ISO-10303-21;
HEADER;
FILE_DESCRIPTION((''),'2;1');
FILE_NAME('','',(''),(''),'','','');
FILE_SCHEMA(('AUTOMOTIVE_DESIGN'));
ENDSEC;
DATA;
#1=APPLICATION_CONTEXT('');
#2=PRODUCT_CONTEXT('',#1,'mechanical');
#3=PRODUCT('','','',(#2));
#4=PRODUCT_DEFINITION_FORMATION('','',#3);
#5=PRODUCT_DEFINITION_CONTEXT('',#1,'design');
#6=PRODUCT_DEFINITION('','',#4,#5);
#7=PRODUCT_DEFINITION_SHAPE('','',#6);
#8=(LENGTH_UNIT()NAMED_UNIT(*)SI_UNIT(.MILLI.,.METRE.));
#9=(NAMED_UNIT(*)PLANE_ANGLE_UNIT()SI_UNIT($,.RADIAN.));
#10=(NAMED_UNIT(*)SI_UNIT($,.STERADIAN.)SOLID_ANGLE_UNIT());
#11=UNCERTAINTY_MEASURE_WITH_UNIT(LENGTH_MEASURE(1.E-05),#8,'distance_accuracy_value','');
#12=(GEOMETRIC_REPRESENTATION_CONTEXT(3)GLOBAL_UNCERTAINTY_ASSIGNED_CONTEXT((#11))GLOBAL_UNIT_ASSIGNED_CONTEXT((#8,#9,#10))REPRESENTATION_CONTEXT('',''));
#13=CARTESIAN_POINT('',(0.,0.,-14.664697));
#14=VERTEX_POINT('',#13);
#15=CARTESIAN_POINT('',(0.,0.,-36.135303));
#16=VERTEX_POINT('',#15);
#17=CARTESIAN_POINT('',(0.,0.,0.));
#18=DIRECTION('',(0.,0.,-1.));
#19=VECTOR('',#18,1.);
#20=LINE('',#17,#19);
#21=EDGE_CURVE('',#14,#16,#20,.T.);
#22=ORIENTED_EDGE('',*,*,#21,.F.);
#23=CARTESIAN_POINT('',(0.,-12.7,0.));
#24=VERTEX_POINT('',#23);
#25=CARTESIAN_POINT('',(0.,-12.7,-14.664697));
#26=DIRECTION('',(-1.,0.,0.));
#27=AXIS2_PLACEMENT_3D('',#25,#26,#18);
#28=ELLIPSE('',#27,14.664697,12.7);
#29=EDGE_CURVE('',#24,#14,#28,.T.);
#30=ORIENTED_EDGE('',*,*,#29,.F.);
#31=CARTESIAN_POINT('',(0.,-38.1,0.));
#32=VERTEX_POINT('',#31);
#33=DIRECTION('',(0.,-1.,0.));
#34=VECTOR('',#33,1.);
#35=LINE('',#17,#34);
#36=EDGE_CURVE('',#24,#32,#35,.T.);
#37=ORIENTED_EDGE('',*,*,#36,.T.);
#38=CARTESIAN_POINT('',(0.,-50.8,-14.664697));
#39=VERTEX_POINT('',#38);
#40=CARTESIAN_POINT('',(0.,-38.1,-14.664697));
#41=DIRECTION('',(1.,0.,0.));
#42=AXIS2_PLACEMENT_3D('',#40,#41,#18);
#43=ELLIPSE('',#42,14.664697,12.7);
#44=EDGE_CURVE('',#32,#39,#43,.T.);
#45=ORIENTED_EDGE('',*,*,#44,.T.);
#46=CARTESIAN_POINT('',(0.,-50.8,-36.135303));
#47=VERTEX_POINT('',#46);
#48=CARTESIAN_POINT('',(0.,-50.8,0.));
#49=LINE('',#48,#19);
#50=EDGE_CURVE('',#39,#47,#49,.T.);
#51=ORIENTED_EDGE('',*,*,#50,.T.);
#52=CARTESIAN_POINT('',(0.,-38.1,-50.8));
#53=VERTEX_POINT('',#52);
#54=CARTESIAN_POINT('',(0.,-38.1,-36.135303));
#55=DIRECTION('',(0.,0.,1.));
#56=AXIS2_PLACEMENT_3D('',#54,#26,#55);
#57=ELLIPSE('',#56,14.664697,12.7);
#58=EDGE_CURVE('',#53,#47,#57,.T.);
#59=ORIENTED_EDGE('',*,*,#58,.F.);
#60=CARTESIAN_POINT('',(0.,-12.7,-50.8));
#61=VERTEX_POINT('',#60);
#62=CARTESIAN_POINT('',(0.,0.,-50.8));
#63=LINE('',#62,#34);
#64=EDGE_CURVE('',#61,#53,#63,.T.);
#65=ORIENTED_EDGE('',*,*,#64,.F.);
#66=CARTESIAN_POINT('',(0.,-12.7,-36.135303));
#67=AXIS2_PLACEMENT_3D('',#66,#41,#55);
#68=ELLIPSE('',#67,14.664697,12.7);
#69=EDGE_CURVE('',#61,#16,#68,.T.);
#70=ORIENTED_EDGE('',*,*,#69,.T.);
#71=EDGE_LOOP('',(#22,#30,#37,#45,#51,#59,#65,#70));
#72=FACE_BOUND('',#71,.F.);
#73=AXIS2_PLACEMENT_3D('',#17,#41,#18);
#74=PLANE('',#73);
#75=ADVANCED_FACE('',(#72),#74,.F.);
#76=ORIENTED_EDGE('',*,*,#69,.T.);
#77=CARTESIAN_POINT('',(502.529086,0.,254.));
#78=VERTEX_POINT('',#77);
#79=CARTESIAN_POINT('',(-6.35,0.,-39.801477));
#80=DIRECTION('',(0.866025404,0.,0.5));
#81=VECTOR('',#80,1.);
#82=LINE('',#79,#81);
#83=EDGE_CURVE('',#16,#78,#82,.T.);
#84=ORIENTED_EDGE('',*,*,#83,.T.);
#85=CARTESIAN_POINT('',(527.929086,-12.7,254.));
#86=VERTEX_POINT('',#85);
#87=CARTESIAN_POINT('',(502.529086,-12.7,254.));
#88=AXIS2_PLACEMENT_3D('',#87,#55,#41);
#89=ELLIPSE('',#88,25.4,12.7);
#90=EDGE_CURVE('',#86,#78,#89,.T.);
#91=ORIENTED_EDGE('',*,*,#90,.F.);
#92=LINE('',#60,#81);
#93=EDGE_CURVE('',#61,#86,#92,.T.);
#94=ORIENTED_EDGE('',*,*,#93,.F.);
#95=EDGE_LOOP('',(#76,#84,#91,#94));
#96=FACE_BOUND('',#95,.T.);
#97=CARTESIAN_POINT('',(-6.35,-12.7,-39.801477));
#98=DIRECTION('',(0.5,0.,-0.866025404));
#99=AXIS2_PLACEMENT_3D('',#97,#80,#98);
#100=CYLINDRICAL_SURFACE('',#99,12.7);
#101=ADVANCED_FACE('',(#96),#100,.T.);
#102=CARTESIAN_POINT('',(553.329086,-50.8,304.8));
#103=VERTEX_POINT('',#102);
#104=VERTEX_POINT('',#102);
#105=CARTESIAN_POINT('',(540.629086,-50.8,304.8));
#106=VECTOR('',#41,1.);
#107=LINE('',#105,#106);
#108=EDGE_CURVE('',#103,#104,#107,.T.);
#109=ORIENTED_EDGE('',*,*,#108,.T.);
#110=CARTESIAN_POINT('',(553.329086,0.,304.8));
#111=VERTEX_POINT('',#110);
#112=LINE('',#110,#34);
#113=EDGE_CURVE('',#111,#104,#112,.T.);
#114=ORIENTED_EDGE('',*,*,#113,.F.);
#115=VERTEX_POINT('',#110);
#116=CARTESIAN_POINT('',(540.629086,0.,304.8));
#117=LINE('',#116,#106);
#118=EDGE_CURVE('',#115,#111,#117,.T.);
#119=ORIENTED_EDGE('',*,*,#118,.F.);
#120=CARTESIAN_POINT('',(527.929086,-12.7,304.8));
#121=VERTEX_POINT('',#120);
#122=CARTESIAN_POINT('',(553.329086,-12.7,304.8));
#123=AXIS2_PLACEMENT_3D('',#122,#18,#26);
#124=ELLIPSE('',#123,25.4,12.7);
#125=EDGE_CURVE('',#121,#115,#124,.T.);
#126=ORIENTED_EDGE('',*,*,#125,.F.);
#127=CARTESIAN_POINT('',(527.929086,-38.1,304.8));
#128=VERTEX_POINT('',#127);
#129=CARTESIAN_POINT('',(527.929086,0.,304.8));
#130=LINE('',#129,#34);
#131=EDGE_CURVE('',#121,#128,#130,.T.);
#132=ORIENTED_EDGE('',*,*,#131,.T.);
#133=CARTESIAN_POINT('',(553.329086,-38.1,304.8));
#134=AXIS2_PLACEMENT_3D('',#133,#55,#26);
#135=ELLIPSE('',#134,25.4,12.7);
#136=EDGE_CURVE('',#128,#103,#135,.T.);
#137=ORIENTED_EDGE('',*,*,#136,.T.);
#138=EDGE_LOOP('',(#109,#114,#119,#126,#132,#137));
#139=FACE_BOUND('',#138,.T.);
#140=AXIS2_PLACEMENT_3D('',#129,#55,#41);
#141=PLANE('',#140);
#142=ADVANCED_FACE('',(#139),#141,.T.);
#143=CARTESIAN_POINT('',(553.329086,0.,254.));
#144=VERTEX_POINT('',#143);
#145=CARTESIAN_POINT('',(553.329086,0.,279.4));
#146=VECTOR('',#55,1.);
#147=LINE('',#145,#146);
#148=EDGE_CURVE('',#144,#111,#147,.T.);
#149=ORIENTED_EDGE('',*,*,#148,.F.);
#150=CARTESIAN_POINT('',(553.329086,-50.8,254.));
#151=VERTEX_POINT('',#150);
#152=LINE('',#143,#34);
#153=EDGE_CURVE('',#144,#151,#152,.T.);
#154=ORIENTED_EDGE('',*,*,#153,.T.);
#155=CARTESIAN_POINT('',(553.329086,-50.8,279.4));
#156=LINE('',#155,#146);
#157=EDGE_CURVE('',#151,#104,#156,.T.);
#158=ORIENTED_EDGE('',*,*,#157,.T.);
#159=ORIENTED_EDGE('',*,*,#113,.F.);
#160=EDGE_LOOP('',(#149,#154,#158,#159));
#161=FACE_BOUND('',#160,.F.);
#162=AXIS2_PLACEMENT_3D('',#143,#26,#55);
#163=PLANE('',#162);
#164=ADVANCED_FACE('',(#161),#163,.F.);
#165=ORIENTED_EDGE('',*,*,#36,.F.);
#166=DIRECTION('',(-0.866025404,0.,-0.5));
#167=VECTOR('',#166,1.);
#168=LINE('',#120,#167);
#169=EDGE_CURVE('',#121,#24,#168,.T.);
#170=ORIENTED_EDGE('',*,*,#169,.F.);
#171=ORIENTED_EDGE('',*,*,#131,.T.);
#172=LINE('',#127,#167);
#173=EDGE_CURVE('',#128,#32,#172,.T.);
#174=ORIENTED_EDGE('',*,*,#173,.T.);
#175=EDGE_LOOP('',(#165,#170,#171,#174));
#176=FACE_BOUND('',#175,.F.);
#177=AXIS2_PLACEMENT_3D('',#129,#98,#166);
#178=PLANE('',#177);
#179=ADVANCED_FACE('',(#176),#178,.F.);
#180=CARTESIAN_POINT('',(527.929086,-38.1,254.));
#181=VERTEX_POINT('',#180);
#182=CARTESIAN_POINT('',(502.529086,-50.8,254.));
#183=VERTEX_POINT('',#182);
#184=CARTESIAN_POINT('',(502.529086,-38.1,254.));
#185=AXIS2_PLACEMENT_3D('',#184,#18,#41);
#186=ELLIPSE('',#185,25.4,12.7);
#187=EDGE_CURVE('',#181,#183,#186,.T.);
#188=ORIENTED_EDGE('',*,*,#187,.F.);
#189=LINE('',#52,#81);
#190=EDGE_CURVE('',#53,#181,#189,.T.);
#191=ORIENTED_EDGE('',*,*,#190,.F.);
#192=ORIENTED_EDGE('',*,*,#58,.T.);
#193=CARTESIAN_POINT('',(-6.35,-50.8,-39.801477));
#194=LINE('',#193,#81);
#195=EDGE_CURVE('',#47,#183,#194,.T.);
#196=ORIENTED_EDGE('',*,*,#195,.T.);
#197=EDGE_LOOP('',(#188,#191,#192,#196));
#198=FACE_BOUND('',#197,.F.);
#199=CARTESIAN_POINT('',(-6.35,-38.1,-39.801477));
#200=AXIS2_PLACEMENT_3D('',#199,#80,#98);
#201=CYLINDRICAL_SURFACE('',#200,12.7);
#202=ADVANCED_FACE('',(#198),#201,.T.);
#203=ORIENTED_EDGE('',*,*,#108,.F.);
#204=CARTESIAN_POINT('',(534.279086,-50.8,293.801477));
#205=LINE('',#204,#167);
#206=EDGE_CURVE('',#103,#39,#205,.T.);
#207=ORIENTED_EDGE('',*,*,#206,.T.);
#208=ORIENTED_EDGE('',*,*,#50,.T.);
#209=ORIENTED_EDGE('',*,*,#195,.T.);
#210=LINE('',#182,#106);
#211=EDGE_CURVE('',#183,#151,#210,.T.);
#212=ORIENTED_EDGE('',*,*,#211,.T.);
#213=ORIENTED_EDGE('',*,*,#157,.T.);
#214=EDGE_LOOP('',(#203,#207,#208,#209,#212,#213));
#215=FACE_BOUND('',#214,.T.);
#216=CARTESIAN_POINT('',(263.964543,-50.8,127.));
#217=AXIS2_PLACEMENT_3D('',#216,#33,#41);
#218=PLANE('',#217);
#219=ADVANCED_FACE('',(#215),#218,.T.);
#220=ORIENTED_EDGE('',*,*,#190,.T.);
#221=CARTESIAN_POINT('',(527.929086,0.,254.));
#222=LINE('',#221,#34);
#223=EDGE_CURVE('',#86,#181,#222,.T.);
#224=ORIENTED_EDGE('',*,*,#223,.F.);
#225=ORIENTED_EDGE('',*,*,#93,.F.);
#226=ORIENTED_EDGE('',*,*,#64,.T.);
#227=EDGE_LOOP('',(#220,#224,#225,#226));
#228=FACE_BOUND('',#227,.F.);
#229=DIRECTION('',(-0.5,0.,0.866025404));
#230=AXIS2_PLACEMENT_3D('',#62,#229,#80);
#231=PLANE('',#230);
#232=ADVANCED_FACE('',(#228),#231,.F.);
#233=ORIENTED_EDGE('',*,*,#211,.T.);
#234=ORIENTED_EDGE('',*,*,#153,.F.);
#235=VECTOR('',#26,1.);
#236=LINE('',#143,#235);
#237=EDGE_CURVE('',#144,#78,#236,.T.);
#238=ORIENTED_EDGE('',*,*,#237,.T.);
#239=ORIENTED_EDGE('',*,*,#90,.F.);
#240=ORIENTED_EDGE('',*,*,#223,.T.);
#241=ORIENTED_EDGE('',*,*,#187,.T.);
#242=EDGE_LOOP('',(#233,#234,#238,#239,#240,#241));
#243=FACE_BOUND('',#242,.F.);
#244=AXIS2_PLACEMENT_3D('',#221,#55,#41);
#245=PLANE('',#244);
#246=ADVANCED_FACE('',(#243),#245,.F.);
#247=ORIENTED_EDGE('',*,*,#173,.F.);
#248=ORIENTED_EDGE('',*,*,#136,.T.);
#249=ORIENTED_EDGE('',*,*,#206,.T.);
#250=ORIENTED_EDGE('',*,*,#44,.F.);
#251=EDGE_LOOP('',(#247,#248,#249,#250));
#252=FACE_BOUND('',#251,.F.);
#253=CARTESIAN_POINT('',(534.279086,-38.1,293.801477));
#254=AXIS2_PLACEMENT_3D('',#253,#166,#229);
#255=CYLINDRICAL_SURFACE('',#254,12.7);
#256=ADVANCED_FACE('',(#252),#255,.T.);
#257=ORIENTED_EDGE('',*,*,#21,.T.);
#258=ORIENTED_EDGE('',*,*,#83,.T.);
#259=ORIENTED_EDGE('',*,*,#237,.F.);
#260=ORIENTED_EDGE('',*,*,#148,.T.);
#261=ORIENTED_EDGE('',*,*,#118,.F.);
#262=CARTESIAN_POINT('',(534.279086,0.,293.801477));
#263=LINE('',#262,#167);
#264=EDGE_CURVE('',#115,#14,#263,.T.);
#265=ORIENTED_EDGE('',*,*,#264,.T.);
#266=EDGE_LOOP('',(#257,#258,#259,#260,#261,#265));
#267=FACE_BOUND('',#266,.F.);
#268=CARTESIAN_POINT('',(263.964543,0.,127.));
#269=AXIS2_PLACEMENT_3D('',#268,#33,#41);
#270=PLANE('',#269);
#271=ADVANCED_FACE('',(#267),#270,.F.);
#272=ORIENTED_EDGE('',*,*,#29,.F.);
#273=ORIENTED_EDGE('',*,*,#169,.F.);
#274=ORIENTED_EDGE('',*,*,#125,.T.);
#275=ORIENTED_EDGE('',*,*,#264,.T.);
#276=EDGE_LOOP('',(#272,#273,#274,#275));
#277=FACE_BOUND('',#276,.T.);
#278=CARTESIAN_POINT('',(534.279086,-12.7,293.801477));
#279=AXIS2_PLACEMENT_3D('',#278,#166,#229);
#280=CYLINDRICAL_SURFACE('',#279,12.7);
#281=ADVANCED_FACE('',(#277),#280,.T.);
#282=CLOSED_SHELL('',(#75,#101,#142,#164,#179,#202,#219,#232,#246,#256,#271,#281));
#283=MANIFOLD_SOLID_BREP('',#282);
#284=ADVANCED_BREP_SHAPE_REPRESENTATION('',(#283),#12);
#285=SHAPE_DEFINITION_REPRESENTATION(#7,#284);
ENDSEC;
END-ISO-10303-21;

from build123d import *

# Parameters (mm, degrees)
F0_W     = 25.4
F0_H     = 50.8
F1_DEPTH = 50.8
F2_R     = 12.7


with BuildPart() as f1:
    # F0 (on Front) → F1 (new body)
    with BuildSketch(Plane.XZ):
        Polygon((527.929086, 304.8), (0, 0), (0, -50.8), (527.929086, 254), align=None)
        with Locations((540.629086, 279.4)):
            Rectangle(F0_W, F0_H)
    extrude(amount=F1_DEPTH)

    # F2
    f2_edges = [f1.edges().sort_by_distance(p)[0] for p in [
        (263.964543, -50.8, 152.4),
        (263.964543, -50.8, 101.6),
        (263.964543, 0, 152.4),
        (263.964543, 0, 101.6),
    ]]
    fillet(f2_edges, radius=F2_R)


solid = f1.part
